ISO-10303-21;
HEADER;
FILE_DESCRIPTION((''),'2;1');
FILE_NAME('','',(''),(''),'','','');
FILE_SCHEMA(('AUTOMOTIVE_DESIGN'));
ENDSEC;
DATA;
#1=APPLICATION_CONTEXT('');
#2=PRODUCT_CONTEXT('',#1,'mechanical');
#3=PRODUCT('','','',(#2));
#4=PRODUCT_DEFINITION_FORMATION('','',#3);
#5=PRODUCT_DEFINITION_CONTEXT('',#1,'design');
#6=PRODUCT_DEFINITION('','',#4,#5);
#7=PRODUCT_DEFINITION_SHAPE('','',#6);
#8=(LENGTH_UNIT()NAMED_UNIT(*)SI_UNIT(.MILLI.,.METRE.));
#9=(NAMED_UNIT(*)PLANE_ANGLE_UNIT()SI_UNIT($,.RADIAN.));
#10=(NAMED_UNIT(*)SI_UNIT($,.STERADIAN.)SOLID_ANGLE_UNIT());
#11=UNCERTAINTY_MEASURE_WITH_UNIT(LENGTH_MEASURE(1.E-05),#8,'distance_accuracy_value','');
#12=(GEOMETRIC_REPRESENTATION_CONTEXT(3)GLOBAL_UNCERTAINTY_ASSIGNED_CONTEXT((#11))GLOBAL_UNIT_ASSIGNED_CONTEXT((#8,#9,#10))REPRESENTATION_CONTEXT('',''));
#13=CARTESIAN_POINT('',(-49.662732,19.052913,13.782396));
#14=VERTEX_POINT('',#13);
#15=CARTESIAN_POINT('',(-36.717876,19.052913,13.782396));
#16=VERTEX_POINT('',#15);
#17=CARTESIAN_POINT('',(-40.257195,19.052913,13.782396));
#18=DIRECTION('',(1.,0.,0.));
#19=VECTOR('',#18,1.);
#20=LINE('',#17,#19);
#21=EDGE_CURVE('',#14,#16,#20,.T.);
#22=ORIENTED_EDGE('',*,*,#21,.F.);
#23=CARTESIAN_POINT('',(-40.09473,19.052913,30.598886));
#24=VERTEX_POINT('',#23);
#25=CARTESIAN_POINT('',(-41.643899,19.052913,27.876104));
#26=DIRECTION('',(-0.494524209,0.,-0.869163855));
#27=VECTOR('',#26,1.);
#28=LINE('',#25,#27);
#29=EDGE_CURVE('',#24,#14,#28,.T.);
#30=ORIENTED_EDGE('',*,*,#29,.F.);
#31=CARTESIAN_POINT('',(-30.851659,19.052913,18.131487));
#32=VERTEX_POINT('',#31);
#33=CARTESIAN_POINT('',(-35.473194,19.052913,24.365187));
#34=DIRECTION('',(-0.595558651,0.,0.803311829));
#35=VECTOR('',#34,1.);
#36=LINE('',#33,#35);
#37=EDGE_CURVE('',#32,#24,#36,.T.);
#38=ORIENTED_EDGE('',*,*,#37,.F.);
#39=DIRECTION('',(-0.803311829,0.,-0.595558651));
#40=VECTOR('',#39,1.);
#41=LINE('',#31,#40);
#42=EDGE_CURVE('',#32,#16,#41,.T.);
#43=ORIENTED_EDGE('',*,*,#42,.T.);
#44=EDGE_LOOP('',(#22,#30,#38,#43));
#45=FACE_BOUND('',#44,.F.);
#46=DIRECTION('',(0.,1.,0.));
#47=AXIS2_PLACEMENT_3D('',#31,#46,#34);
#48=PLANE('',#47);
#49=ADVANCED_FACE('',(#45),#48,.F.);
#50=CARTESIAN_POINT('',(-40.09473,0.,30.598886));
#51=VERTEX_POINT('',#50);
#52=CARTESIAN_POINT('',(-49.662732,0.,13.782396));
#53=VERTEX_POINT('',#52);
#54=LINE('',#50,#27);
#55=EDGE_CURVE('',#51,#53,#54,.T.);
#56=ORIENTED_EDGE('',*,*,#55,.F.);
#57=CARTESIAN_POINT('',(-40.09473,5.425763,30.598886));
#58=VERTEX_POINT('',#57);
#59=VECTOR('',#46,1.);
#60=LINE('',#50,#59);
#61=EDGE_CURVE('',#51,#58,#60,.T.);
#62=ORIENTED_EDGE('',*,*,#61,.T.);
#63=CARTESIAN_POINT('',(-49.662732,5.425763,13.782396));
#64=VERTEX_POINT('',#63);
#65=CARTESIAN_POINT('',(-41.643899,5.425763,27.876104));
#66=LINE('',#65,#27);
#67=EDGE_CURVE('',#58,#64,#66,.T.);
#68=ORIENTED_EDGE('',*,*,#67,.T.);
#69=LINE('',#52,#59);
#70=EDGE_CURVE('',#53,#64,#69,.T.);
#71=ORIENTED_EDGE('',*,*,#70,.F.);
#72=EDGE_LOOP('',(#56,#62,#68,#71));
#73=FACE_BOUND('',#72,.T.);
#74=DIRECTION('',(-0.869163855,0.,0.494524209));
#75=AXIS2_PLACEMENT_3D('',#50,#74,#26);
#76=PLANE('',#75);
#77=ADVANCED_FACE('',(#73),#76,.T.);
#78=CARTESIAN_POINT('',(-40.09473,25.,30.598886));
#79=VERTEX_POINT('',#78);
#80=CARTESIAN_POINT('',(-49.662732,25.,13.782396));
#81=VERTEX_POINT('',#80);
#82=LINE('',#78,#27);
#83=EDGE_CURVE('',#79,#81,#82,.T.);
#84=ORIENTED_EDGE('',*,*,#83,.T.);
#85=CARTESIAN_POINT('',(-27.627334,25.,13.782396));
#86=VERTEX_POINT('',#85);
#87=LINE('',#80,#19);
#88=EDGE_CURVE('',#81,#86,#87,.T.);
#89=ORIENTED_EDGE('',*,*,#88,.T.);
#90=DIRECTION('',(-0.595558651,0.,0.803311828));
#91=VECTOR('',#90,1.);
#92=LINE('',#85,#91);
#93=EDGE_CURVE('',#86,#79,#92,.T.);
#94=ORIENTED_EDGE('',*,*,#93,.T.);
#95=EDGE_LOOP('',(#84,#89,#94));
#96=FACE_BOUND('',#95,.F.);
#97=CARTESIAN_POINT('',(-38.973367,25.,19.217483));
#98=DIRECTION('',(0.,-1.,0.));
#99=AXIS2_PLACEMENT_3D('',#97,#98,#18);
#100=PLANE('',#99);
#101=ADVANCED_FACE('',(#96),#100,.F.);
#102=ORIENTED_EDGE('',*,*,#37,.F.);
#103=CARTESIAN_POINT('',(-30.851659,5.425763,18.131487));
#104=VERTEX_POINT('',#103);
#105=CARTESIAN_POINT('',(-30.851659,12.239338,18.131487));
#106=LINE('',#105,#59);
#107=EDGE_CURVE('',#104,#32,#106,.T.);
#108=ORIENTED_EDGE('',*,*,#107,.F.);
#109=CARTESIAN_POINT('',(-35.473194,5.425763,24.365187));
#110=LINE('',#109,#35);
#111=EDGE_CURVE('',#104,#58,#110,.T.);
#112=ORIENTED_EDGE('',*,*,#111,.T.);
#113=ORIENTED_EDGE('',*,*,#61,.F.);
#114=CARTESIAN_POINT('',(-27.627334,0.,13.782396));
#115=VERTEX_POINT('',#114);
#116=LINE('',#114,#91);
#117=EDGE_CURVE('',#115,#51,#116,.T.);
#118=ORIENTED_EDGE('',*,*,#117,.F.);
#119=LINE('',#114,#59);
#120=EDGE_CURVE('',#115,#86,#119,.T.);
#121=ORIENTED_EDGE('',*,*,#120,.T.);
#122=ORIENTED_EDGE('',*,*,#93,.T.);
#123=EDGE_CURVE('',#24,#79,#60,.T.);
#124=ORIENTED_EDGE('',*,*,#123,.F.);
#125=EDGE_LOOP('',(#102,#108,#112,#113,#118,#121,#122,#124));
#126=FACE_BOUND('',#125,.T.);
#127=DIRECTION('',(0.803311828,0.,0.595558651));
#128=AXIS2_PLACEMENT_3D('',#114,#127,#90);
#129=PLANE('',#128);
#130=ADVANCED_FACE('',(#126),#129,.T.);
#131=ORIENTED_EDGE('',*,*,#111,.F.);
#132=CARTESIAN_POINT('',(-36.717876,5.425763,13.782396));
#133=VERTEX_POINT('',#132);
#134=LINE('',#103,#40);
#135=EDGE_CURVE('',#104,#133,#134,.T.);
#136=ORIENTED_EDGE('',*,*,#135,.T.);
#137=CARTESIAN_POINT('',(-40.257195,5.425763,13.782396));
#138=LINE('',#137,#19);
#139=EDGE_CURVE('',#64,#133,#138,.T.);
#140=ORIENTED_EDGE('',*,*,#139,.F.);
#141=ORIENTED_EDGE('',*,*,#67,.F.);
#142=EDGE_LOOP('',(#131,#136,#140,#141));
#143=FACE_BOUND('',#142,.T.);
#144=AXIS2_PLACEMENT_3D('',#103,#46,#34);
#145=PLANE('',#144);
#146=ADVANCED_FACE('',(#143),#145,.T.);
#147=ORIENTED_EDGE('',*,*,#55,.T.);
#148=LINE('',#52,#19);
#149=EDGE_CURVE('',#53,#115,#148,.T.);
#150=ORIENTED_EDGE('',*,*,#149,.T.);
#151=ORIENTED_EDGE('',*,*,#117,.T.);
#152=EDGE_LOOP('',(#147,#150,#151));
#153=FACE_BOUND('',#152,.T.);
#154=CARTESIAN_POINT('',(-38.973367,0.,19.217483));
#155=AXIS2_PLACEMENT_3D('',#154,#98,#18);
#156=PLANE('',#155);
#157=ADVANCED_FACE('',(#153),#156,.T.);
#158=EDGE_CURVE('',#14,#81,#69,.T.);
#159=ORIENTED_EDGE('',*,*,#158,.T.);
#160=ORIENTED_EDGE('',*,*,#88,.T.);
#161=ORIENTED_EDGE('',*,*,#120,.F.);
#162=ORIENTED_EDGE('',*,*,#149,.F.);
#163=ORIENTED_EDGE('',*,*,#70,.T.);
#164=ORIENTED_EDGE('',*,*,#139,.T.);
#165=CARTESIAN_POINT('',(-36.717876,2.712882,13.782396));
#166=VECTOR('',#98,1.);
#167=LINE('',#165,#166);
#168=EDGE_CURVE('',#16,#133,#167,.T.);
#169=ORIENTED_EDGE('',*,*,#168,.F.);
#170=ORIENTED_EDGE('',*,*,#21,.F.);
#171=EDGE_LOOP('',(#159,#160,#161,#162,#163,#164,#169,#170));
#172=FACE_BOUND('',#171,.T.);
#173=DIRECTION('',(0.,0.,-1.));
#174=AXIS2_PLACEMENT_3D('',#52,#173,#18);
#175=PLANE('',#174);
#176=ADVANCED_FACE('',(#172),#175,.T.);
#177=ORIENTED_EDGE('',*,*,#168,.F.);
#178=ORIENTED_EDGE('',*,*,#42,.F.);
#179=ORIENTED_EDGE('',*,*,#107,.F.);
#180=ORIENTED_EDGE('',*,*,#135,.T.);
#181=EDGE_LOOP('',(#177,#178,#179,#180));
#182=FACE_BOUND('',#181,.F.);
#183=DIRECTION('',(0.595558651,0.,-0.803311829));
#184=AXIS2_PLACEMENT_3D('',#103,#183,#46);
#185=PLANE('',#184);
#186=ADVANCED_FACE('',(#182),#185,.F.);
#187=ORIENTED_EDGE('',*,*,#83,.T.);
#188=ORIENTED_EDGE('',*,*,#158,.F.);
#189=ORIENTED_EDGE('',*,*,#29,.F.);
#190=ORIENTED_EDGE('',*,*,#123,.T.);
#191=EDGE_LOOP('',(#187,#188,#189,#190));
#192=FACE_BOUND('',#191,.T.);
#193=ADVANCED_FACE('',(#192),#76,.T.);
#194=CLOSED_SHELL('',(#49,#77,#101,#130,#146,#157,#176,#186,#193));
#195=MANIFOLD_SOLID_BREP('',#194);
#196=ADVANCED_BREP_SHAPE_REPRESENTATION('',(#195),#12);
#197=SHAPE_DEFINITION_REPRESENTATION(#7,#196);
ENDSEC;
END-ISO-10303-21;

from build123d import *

# Parameters (mm, degrees)
F1_DEPTH = 25
F2_W     = 13.627150096
F2_H     = 15.5199997797
F3_DEPTH = 25
F4_R     = 3.852849114
F5_DEPTH = 25


with BuildPart() as f1:
    # F0 (on Front) → F1 (new body)
    with BuildSketch(Plane.XZ):
        Polygon((-27.6273339987, 13.7823959813), (-40.0947295129, 30.5988863111), (-49.6627315879, 13.7823959813), align=None)
    extrude(amount=-F1_DEPTH)

    # F2 (on face) → F3 (cut)
    with BuildSketch(Plane(origin=(-11.2344276136, 0, -8.3289705336), x_dir=(0, 1, 0), z_dir=(0.8033118285, 0, 0.5955586505))):
        with Locations((12.2393383645, 40.6992104239)):
            Rectangle(F2_W, F2_H)
    extrude(amount=-F3_DEPTH, mode=Mode.SUBTRACT)


with BuildPart() as f5:
    # F4 (on Right) → F5 (new body)
    with BuildSketch(Plane.YZ):
        with Locations((-33.5409045219, 28.1745772809)):
            Circle(F4_R)
    extrude(amount=-F5_DEPTH)


solid = f1.part
